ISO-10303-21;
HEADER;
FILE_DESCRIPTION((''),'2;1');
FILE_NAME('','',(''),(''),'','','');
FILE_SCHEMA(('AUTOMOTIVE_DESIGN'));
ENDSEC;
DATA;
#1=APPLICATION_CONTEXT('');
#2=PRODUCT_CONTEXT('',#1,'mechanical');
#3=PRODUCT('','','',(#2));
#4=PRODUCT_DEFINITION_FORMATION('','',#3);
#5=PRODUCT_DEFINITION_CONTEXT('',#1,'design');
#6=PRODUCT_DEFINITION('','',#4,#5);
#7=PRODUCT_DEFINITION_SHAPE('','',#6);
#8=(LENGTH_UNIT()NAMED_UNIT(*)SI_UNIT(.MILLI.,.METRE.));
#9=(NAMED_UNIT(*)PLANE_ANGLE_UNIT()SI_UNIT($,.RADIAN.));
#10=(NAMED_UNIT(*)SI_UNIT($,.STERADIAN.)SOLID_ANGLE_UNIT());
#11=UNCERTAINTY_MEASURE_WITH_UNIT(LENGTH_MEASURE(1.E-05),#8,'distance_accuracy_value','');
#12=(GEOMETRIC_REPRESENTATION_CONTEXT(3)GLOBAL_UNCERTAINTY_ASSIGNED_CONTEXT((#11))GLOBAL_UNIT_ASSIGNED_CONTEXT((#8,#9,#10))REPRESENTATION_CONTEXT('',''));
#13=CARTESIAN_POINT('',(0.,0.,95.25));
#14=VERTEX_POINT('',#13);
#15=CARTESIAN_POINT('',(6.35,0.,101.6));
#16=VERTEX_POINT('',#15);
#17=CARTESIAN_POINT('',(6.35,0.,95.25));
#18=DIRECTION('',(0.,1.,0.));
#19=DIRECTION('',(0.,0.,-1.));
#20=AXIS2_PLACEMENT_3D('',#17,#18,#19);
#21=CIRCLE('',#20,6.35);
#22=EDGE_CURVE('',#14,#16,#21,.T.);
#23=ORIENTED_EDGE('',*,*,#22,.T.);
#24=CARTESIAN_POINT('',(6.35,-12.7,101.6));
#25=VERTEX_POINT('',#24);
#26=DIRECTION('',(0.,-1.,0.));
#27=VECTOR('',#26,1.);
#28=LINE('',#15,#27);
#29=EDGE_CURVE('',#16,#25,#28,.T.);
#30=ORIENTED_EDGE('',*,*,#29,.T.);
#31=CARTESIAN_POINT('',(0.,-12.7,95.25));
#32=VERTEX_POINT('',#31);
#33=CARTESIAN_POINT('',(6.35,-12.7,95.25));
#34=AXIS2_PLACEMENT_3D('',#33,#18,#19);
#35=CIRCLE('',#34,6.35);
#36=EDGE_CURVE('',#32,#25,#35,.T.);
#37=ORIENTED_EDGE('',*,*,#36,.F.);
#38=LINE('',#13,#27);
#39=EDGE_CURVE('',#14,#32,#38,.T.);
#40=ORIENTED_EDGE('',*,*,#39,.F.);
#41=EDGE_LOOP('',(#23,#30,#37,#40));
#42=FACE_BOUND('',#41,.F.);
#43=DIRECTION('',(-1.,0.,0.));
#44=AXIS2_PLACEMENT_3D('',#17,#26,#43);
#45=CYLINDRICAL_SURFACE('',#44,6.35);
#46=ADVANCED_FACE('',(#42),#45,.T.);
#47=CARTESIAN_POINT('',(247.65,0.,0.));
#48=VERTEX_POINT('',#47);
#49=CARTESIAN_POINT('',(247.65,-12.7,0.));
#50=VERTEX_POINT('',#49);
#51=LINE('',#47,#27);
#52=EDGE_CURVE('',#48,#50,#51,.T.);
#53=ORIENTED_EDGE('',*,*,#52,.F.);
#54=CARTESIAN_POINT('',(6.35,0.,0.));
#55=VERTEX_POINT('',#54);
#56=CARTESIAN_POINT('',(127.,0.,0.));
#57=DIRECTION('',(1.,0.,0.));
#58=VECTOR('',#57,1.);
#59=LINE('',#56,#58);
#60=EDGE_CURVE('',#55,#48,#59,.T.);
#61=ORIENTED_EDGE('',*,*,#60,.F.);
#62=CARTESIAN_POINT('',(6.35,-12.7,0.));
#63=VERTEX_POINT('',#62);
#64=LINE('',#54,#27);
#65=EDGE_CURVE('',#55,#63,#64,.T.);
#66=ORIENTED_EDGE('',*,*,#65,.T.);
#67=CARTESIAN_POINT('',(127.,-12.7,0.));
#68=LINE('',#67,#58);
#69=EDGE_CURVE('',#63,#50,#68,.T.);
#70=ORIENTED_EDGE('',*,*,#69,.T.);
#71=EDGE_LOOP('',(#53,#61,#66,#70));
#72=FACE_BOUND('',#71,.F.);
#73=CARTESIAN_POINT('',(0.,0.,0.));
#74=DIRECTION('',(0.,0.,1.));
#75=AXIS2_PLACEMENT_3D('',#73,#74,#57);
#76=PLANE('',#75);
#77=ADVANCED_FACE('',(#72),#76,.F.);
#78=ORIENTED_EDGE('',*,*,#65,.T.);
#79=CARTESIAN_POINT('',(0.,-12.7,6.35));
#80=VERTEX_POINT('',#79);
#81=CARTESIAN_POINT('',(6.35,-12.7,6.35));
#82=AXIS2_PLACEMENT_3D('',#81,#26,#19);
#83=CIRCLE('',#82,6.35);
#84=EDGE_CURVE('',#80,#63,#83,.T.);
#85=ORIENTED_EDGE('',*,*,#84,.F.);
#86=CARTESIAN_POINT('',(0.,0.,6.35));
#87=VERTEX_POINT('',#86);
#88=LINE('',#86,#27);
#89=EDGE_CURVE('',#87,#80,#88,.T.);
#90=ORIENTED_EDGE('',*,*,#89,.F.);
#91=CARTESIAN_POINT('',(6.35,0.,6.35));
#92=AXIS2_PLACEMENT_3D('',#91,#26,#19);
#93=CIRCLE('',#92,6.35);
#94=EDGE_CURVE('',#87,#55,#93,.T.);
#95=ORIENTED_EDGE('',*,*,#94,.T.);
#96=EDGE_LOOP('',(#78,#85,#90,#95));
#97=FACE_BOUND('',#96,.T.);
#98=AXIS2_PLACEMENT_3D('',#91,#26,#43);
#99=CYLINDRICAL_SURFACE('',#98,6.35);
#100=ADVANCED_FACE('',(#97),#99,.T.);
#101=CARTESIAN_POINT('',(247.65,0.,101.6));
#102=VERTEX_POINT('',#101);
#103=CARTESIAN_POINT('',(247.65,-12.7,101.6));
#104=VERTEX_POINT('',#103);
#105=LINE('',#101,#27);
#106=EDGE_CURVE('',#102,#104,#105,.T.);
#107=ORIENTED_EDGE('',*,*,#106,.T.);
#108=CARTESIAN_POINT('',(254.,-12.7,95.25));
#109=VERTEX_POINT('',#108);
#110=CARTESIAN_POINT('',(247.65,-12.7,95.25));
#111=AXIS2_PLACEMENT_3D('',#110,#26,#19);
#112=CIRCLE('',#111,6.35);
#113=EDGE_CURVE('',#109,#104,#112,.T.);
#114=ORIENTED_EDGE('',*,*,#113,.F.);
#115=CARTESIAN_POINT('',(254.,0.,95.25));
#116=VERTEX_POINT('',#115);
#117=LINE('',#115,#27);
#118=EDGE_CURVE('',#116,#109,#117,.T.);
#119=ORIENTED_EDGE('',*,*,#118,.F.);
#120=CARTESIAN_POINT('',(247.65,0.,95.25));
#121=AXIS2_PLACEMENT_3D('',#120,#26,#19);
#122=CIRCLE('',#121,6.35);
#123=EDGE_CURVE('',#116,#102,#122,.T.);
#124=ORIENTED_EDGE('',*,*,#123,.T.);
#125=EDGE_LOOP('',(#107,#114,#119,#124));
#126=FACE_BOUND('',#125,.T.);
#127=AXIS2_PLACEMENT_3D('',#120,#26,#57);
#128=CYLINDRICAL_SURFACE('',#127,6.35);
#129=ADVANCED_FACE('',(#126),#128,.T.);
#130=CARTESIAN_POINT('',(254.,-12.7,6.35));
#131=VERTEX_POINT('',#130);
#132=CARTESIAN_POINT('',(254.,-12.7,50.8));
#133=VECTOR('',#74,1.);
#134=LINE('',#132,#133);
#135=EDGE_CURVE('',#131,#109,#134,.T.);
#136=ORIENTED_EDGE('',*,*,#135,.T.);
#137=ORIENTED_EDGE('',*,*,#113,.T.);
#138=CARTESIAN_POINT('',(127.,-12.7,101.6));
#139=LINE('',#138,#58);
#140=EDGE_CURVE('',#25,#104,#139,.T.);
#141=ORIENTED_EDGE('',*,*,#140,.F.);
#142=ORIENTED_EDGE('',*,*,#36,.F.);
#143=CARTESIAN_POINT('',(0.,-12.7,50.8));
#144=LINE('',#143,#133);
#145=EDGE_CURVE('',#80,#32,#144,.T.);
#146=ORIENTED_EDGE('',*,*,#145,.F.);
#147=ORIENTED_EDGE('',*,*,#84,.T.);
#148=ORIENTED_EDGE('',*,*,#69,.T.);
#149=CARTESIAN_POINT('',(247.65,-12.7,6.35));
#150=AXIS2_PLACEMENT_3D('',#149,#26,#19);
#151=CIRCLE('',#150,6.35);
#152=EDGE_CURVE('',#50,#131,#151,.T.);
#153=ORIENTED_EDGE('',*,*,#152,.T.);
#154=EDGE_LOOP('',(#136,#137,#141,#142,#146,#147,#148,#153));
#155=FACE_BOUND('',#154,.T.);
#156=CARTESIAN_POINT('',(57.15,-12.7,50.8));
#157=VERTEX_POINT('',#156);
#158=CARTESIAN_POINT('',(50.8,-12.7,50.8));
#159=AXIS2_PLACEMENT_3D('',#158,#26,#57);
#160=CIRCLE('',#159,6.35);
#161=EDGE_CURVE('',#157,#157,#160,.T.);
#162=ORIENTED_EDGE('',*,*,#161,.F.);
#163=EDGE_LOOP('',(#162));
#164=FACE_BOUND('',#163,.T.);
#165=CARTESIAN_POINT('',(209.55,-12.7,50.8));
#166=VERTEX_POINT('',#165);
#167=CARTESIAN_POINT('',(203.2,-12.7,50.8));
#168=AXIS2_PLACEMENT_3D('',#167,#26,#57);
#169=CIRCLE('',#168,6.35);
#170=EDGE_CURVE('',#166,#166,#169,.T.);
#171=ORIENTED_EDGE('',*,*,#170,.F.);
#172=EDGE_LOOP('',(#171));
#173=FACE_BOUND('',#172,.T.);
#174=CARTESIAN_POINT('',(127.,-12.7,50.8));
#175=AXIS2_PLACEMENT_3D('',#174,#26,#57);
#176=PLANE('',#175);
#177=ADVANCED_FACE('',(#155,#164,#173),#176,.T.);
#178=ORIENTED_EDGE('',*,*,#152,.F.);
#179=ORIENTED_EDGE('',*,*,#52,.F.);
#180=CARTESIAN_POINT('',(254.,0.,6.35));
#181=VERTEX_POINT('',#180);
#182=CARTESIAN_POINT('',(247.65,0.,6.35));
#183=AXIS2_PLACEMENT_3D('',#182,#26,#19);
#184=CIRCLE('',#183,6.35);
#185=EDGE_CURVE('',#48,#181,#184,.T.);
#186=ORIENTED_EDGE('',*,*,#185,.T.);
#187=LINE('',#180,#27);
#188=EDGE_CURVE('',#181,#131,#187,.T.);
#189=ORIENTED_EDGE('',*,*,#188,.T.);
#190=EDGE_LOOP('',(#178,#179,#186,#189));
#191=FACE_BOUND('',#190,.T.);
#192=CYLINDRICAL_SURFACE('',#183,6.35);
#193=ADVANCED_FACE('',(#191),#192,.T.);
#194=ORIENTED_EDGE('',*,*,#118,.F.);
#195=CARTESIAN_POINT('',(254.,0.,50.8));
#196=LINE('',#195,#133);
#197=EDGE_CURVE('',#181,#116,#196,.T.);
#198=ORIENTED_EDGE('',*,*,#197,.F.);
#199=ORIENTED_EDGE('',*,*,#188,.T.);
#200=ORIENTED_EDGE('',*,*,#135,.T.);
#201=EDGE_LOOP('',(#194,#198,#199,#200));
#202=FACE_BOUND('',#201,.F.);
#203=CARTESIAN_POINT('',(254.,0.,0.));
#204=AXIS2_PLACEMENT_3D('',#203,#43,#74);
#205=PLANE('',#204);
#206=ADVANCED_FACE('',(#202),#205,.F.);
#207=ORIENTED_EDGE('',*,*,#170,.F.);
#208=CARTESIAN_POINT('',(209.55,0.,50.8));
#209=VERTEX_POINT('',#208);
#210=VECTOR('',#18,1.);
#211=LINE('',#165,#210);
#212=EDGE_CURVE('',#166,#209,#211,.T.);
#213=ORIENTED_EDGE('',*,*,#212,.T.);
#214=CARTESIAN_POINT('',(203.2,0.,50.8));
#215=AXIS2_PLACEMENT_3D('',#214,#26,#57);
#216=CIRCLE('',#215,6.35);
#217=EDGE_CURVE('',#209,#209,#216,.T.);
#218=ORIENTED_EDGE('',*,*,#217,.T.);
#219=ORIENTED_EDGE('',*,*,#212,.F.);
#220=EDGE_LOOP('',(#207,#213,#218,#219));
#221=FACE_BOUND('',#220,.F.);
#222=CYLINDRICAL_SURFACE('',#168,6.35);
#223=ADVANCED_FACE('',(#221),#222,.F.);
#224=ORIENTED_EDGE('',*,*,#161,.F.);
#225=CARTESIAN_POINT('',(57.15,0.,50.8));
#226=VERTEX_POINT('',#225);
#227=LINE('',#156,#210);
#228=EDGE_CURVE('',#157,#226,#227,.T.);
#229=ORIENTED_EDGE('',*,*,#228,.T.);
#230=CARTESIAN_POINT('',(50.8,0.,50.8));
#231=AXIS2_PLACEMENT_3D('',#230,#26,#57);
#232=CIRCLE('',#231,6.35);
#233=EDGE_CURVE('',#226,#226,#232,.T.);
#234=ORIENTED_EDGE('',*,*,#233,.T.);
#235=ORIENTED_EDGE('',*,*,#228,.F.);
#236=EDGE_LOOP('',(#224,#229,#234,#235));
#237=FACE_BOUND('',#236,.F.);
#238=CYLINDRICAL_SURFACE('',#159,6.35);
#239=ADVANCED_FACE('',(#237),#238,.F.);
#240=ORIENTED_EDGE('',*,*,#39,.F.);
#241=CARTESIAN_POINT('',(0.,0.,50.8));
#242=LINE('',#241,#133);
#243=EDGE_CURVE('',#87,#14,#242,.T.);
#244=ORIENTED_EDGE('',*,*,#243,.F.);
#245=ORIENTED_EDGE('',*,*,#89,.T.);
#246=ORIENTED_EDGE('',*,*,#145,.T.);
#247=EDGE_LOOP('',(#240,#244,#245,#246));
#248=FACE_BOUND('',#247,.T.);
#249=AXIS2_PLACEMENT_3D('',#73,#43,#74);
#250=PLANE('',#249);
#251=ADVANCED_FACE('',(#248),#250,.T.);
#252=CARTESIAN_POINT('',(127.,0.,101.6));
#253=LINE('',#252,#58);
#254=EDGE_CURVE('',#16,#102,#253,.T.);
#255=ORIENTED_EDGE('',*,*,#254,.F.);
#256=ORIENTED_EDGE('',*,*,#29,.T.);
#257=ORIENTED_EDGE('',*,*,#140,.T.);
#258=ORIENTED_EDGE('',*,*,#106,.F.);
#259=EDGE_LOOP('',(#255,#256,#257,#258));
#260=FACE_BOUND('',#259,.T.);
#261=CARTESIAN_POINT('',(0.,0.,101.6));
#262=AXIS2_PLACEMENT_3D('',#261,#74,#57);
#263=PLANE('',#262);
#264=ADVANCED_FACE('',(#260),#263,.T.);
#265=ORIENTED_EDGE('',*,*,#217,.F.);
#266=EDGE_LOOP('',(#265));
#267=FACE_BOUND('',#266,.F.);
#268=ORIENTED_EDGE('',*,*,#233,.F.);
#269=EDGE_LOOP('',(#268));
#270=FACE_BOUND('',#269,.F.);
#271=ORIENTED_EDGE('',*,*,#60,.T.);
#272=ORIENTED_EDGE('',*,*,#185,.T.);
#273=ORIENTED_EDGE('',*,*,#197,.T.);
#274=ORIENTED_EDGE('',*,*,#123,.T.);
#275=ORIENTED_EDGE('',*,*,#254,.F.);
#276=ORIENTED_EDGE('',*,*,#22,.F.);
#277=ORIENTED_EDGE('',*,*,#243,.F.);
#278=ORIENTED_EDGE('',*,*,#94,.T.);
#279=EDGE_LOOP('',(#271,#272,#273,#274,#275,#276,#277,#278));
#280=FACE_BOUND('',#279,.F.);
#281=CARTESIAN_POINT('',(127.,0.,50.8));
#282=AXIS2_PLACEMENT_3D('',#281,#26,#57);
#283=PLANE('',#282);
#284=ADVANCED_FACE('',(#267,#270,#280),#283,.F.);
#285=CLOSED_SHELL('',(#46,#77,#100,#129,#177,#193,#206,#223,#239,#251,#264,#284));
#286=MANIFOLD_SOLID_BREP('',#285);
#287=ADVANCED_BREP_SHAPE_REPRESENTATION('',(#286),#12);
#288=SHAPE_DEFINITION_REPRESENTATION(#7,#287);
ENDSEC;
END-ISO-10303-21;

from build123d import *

# Parameters (mm, degrees)
F0_W     = 254
F0_H     = 101.6
F1_DEPTH = 12.7
F2_R     = 6.35
F3_R     = 6.35
F4_DEPTH = 12.701


with BuildPart() as f1:
    # F0 (on Front) → F1 (new body)
    with BuildSketch(Plane.XZ):
        with Locations((127, 50.8)):
            Rectangle(F0_W, F0_H)
    extrude(amount=F1_DEPTH)

    # F2
    f2_edges = [f1.edges().sort_by_distance(p)[0] for p in [
        (0, -6.35, 101.6),
        (0, -6.35, 0),
        (254, -6.35, 0),
        (254, -6.35, 101.6),
    ]]
    fillet(f2_edges, radius=F2_R)

    # F3 (on face) → F4 (cut, through all)
    with BuildSketch(Plane.XZ.offset(12.7)):
        with Locations((50.8, 50.8)):
            Circle(F3_R)
        with Locations((203.2, 50.8)):
            Circle(F3_R)
    extrude(amount=-F4_DEPTH, mode=Mode.SUBTRACT)


solid = f1.part
